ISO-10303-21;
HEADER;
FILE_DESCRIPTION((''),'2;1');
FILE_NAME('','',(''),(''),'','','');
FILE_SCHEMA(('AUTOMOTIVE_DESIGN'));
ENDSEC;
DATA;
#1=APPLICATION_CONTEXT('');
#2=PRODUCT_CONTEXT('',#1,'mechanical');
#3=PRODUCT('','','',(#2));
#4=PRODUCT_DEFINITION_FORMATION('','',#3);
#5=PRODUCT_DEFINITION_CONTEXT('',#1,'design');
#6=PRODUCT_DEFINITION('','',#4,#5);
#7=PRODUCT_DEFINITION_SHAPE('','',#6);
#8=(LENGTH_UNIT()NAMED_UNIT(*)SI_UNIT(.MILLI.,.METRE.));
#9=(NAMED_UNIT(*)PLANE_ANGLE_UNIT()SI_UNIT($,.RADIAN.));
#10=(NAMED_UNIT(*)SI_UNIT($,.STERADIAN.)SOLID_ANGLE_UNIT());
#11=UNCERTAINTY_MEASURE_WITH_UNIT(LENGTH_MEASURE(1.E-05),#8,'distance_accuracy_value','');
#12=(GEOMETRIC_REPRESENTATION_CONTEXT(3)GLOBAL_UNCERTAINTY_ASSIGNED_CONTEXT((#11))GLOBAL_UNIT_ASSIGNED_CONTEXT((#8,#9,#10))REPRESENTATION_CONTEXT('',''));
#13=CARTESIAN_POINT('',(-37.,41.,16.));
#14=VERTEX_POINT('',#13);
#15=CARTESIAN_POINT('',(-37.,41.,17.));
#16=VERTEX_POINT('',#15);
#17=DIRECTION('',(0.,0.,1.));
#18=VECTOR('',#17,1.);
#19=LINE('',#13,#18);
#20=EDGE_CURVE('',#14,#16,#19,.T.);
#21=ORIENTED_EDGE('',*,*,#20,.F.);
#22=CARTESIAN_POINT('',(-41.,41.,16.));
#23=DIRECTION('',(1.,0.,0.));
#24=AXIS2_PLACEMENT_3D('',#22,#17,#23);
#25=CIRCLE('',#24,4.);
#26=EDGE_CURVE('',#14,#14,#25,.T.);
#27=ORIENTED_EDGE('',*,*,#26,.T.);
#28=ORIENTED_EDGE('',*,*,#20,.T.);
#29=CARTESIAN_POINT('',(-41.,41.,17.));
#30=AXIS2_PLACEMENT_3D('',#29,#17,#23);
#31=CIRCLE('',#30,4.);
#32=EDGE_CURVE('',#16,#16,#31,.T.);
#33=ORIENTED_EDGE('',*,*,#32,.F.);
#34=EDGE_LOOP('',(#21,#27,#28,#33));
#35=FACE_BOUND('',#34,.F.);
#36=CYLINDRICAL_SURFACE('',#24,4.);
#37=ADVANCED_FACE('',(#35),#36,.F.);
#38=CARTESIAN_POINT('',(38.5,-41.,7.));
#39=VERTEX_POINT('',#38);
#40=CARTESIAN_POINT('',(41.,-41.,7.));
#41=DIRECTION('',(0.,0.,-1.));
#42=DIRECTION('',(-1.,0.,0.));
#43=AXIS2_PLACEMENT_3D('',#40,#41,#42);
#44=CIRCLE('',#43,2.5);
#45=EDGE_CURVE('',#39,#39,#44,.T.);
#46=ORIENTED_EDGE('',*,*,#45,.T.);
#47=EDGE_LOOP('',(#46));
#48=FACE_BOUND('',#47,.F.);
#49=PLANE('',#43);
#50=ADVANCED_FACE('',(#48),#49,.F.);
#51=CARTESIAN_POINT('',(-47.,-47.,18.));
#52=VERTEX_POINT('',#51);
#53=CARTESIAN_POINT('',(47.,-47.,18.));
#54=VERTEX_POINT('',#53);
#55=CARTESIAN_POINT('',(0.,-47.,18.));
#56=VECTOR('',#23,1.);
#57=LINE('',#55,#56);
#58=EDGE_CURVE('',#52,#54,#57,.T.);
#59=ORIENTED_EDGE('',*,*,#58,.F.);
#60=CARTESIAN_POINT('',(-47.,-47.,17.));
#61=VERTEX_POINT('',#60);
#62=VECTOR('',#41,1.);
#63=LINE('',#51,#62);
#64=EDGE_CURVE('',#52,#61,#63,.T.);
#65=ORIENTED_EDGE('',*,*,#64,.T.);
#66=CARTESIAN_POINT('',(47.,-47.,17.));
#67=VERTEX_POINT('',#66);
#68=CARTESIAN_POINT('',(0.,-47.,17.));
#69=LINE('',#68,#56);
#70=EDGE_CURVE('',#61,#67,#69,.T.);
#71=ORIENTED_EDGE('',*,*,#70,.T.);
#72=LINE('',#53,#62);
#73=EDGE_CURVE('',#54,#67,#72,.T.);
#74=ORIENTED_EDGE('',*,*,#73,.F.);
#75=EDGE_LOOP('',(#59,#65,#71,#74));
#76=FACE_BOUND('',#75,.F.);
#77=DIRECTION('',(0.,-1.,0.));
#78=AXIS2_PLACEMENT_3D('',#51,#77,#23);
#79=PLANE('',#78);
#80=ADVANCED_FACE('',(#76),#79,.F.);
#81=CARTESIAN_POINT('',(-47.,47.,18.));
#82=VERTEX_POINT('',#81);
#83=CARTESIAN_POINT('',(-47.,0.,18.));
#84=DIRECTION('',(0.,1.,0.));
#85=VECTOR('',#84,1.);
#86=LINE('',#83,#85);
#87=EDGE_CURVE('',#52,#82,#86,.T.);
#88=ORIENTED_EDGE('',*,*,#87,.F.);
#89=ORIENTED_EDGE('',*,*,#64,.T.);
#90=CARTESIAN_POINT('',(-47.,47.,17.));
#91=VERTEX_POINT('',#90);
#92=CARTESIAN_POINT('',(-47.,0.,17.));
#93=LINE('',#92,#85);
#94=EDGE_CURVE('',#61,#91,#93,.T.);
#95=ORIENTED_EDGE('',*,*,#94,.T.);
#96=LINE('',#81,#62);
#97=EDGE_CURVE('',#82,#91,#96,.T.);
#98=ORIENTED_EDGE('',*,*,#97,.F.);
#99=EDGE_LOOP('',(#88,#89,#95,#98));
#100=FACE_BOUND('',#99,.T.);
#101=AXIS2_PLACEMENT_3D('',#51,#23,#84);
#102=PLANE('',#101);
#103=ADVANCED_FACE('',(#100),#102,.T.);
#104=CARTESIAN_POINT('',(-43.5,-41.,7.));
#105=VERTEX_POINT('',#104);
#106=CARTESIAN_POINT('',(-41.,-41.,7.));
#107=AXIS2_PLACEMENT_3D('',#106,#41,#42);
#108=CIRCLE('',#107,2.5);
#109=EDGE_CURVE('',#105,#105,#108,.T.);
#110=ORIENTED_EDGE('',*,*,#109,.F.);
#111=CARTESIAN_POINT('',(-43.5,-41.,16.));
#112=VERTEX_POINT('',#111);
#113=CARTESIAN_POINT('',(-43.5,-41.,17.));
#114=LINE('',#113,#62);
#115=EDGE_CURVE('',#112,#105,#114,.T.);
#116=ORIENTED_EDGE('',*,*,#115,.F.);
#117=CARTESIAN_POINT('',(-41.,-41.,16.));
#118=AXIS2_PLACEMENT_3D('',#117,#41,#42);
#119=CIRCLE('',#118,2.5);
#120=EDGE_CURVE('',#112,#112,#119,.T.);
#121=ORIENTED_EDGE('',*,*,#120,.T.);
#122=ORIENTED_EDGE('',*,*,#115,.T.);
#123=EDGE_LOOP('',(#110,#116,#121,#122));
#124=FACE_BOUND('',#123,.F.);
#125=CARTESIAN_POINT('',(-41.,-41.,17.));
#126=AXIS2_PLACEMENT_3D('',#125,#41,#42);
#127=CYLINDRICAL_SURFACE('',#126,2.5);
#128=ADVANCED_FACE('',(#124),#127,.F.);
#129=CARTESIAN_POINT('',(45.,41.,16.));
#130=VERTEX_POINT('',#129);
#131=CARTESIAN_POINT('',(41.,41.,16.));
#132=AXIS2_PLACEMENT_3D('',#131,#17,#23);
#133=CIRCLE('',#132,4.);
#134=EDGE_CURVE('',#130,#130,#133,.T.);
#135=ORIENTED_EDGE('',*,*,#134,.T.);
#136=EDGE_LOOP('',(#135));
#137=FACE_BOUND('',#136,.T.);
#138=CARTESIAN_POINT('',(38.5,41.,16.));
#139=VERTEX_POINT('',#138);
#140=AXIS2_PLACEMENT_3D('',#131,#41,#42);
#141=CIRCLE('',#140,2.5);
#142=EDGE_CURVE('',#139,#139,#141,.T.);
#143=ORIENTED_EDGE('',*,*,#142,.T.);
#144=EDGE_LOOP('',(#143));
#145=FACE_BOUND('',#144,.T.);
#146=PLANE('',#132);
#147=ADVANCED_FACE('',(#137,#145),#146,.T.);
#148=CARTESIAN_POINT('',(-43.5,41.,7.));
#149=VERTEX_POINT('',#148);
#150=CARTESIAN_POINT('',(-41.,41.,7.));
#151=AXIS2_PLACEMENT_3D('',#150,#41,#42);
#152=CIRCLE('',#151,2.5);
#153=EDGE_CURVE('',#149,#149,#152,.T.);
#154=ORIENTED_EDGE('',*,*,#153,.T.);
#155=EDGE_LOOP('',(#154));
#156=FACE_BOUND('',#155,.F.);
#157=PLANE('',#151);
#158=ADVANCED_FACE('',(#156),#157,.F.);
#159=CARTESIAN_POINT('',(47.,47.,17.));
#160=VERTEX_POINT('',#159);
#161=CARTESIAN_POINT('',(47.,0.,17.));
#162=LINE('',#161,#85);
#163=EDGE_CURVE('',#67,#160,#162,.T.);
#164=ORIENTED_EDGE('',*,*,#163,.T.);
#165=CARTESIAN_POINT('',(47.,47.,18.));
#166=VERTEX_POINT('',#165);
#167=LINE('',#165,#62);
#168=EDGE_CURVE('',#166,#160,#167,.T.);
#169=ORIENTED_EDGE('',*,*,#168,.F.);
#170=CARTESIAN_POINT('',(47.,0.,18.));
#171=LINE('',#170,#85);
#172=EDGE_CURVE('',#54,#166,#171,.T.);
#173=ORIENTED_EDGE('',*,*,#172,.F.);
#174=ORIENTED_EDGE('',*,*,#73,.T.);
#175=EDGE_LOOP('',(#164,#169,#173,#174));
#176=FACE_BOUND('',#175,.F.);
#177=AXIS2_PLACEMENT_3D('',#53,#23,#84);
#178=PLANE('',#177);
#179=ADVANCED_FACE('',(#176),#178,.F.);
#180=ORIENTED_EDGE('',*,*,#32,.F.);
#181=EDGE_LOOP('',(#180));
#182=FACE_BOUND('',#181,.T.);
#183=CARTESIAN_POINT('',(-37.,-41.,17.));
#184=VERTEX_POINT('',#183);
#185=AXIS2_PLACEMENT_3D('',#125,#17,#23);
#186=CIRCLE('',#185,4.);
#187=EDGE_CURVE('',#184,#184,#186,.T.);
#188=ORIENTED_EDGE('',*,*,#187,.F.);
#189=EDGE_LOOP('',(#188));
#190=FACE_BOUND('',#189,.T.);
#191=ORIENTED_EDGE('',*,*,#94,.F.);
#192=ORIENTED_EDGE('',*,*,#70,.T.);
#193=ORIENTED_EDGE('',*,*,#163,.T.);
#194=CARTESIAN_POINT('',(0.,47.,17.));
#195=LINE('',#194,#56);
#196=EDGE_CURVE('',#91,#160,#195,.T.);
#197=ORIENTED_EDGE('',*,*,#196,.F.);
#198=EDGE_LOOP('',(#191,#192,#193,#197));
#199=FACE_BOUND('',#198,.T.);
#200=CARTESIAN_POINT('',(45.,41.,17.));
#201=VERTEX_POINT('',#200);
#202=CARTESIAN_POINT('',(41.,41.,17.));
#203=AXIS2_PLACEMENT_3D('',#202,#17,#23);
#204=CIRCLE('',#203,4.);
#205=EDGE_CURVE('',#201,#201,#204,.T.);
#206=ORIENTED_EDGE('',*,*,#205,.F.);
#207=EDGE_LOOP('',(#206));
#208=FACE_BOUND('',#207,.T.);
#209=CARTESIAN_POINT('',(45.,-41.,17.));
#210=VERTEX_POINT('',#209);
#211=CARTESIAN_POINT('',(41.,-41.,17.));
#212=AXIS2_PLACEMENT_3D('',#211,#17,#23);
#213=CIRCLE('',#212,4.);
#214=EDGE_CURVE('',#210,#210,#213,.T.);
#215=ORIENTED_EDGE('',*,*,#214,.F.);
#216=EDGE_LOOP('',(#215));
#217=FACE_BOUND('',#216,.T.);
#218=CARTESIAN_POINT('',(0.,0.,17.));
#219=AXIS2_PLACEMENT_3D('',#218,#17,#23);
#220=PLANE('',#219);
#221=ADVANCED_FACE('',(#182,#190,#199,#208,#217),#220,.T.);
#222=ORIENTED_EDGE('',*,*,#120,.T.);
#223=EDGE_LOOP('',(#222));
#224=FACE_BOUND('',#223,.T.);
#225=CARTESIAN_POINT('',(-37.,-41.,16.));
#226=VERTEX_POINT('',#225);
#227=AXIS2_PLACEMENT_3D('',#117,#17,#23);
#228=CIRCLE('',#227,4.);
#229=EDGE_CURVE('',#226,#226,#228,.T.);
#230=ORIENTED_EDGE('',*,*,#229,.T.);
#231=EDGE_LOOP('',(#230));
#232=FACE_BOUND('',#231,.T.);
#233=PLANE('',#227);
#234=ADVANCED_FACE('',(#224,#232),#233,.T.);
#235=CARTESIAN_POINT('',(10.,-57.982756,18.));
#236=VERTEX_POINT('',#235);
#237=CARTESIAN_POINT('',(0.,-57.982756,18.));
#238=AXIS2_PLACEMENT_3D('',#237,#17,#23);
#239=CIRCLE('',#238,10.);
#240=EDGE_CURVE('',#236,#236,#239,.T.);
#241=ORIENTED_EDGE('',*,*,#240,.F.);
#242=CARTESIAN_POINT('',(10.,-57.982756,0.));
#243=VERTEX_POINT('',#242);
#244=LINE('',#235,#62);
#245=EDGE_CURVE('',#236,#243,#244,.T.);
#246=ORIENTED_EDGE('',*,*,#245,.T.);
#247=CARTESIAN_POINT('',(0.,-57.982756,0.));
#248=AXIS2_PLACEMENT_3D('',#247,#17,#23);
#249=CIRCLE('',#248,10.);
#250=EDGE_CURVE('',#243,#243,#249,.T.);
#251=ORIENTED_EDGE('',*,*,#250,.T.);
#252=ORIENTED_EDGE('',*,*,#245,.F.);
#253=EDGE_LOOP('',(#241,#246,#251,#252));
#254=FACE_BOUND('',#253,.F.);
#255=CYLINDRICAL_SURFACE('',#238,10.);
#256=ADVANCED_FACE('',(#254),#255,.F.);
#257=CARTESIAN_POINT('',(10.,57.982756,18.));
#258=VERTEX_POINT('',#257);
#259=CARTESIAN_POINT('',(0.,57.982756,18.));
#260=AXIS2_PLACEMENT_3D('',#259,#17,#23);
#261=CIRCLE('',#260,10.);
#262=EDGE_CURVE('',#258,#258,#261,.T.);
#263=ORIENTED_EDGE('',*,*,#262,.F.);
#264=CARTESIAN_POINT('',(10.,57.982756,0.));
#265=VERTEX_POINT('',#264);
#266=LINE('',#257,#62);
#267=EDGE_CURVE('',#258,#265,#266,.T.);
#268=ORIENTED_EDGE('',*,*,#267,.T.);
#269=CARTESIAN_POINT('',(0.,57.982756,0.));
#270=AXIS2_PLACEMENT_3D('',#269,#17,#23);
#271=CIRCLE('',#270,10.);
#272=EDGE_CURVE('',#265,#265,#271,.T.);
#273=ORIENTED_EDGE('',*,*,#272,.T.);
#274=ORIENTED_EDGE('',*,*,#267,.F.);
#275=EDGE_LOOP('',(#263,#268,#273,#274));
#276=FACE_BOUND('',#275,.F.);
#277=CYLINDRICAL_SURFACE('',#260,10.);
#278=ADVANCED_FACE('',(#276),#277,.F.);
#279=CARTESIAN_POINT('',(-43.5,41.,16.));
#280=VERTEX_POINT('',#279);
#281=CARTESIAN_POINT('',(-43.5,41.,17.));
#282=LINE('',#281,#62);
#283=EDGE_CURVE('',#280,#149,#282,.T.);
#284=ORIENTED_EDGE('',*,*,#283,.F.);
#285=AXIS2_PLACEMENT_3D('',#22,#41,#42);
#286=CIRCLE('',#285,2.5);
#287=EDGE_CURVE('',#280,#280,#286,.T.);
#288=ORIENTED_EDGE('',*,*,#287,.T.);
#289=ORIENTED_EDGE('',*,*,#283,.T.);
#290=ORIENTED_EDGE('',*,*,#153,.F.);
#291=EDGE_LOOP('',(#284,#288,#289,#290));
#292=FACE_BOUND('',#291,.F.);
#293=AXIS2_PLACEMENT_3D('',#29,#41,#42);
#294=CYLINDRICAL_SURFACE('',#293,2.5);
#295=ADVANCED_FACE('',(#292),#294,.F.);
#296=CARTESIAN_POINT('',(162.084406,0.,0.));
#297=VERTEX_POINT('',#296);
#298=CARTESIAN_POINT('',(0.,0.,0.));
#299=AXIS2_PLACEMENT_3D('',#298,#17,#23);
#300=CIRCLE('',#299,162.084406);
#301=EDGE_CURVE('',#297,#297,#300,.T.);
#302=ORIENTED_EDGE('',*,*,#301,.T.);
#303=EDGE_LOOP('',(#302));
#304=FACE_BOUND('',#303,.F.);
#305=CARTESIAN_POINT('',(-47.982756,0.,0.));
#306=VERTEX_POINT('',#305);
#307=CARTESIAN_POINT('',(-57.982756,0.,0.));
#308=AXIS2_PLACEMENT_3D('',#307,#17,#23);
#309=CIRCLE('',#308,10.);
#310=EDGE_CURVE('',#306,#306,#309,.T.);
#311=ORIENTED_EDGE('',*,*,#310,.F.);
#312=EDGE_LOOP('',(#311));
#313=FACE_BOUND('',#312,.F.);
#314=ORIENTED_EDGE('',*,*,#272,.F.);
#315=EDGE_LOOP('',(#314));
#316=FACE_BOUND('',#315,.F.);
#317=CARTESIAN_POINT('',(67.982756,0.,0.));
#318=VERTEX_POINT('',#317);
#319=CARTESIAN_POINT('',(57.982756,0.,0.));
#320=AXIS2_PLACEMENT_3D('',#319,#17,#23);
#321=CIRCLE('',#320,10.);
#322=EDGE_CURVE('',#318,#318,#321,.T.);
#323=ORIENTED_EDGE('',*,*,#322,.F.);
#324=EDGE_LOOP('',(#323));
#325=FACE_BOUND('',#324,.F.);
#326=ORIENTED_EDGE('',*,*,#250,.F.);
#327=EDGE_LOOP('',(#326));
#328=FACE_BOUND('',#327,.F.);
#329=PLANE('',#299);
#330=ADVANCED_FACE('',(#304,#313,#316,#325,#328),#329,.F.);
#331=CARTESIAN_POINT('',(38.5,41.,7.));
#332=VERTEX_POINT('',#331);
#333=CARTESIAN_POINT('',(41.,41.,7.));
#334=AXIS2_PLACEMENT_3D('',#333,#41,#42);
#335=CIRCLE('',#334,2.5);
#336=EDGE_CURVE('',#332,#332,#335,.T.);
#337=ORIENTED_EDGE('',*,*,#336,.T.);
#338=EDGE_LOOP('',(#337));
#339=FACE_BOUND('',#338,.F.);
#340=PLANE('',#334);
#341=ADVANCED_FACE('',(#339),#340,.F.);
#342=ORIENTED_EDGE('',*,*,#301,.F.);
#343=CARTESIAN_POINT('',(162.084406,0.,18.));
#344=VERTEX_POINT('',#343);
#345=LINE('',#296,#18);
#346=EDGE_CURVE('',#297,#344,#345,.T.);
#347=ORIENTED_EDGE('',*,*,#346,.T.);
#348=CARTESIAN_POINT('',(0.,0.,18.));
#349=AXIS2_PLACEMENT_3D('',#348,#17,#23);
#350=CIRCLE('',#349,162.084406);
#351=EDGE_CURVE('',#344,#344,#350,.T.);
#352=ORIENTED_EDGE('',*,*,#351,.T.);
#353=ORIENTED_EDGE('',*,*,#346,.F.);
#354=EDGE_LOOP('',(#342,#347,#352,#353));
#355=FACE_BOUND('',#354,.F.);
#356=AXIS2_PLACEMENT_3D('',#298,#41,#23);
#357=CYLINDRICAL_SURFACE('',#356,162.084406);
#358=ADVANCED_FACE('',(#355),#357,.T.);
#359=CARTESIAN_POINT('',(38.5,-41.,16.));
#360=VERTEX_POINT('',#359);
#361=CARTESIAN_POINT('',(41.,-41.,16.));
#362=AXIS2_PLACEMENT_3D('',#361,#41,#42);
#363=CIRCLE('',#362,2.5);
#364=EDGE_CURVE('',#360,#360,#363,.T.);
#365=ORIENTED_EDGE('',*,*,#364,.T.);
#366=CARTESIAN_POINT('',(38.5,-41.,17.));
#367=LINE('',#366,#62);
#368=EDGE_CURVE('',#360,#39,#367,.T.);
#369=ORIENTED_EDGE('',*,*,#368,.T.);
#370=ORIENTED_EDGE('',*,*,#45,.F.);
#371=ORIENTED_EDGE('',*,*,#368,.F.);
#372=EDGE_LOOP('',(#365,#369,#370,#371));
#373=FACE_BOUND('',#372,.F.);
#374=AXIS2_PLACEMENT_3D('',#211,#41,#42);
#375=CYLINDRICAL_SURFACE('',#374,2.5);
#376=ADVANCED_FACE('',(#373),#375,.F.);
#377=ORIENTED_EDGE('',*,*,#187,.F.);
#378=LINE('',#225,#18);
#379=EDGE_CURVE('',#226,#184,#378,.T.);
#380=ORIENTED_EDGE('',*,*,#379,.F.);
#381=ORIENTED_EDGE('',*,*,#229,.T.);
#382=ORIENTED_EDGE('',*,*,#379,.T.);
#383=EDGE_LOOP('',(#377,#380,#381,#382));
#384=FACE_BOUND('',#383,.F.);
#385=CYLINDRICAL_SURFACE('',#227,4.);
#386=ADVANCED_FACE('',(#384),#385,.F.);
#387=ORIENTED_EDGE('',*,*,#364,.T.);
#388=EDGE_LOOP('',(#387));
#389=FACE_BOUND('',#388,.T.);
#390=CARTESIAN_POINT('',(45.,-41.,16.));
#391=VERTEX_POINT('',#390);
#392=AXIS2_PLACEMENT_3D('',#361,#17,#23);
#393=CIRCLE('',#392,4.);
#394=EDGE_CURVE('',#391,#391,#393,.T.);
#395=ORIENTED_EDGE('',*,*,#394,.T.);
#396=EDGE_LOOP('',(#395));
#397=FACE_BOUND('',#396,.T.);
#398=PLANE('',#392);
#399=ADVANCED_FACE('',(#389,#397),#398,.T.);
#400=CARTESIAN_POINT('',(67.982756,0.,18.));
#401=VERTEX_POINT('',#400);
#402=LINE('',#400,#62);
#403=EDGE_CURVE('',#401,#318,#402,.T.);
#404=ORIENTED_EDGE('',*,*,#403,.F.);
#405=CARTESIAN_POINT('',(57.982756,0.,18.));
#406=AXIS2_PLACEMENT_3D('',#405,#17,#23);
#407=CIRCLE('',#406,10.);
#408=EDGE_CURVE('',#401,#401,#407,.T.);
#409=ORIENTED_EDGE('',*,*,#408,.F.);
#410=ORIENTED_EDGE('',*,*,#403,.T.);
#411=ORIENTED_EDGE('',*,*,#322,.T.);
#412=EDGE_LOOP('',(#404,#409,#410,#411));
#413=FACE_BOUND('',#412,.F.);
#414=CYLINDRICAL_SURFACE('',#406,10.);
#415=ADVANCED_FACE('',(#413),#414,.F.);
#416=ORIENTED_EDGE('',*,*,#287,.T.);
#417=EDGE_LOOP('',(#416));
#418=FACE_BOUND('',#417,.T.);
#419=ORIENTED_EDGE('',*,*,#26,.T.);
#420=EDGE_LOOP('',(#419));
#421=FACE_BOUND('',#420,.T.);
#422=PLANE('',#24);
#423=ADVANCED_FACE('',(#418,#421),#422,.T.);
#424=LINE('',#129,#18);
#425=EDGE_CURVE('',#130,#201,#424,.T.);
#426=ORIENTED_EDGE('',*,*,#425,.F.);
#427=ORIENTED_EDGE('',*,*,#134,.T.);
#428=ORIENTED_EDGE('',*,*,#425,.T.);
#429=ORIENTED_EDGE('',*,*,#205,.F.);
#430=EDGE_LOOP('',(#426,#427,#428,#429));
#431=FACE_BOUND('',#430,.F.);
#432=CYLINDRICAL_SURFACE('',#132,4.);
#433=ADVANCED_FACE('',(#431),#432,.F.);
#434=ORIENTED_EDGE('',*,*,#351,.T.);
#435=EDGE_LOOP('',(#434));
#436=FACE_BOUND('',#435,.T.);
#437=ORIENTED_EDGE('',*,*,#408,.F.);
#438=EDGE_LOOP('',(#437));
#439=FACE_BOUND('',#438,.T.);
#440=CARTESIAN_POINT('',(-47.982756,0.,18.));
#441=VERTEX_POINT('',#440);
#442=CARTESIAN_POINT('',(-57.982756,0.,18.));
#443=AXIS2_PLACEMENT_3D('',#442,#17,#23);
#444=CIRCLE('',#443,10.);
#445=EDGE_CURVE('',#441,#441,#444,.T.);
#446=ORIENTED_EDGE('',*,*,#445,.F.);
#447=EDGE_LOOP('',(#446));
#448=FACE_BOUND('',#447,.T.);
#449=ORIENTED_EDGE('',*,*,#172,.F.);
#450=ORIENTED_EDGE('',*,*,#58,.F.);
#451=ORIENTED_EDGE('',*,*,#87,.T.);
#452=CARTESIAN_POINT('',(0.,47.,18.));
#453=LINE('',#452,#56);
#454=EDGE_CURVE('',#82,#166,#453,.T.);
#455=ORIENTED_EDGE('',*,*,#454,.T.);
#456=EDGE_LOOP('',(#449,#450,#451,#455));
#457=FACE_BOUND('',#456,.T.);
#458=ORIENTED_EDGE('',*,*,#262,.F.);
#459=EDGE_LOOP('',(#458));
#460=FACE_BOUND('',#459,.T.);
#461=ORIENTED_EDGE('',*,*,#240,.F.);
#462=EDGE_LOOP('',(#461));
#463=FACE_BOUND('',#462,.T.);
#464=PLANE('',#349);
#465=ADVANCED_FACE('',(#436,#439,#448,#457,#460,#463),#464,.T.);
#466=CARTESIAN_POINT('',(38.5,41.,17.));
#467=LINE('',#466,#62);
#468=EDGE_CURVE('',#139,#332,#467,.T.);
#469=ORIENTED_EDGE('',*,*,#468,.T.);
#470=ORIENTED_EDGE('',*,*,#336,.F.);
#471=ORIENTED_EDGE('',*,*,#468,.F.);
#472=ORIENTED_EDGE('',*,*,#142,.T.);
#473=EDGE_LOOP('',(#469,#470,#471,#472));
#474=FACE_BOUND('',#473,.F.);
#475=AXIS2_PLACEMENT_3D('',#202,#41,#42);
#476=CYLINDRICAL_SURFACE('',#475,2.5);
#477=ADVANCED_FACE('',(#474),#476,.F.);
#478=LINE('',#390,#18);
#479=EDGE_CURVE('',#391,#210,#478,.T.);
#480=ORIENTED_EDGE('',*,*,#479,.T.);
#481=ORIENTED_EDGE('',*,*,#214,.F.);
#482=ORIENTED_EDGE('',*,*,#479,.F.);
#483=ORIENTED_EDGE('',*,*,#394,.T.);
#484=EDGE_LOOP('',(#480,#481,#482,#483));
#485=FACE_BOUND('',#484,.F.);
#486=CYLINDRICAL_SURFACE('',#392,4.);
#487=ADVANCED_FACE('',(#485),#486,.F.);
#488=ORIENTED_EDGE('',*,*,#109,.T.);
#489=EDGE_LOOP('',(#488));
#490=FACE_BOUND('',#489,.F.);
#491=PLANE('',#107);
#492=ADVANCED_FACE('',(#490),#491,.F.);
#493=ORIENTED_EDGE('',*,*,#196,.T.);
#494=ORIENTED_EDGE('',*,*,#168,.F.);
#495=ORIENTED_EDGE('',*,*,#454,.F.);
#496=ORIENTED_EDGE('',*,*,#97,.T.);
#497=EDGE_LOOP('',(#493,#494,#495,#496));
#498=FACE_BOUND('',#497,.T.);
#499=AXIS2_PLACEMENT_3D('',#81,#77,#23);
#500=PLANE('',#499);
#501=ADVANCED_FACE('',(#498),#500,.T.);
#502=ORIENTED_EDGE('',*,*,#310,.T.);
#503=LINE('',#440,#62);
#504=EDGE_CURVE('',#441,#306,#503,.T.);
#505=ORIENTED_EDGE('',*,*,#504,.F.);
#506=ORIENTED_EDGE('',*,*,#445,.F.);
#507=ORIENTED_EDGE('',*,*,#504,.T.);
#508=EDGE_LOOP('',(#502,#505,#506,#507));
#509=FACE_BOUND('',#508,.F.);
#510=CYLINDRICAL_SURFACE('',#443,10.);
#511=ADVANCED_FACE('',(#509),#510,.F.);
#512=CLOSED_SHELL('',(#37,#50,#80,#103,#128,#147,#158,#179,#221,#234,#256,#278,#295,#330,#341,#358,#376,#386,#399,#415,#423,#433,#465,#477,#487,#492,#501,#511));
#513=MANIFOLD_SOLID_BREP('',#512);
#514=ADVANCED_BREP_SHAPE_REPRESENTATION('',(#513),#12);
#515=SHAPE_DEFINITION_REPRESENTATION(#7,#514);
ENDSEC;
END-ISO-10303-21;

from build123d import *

# Parameters (mm, degrees)
SKETCH003_R      = 162.0844056183
PAD002_DEPTH     = 18
SKETCH009_W      = 94
SKETCH009_H      = 94
POCKET002_DEPTH  = 1
HOLE_D           = 5
HOLE_DEPTH       = 10
HOLE_CBORE_D     = 8
HOLE_CBORE_DEPTH = 1
SKETCH011_R      = 10
POCKET003_DEPTH  = 18.001


with BuildPart() as part:
    # Sketch003 → Pad002 (new body)
    with BuildSketch(Plane.XY):
        Circle(SKETCH003_R)
    extrude(amount=PAD002_DEPTH)

    # Sketch009 (on Face3 of Pad002) → Pocket002 (cut)
    with BuildSketch(Plane.XY.offset(18)):
        Rectangle(SKETCH009_W, SKETCH009_H)
    extrude(amount=-POCKET002_DEPTH, mode=Mode.SUBTRACT)

    # Hole
    with Locations(Plane.XY.offset(17)):
        with Locations((-41, 41), (41, 41), (-41, -41), (41, -41)):
            CounterBoreHole(HOLE_D / 2, HOLE_CBORE_D / 2, HOLE_CBORE_DEPTH, depth=HOLE_DEPTH)

    # Sketch011 (on Face3 of Hole) → Pocket003 (cut, through all)
    with BuildSketch(Plane.XY.offset(18)):
        with Locations((-57.9827560573, 0)):
            Circle(SKETCH011_R)
        with Locations((0, 57.9827560573)):
            Circle(SKETCH011_R)
        with Locations((57.9827560573, 0)):
            Circle(SKETCH011_R)
        with Locations((0, -57.9827560573)):
            Circle(SKETCH011_R)
    extrude(amount=-POCKET003_DEPTH, mode=Mode.SUBTRACT)


with BuildPart() as part_1:
    # Clone004 placement: moved
    add(part.part.moved(Location((0, 0, -24))))


with BuildPart() as part_2:
    # Clone015 placement: moved
    add(part_1.part.moved(Location((0, 0, 24))))


solid = part_2.part
